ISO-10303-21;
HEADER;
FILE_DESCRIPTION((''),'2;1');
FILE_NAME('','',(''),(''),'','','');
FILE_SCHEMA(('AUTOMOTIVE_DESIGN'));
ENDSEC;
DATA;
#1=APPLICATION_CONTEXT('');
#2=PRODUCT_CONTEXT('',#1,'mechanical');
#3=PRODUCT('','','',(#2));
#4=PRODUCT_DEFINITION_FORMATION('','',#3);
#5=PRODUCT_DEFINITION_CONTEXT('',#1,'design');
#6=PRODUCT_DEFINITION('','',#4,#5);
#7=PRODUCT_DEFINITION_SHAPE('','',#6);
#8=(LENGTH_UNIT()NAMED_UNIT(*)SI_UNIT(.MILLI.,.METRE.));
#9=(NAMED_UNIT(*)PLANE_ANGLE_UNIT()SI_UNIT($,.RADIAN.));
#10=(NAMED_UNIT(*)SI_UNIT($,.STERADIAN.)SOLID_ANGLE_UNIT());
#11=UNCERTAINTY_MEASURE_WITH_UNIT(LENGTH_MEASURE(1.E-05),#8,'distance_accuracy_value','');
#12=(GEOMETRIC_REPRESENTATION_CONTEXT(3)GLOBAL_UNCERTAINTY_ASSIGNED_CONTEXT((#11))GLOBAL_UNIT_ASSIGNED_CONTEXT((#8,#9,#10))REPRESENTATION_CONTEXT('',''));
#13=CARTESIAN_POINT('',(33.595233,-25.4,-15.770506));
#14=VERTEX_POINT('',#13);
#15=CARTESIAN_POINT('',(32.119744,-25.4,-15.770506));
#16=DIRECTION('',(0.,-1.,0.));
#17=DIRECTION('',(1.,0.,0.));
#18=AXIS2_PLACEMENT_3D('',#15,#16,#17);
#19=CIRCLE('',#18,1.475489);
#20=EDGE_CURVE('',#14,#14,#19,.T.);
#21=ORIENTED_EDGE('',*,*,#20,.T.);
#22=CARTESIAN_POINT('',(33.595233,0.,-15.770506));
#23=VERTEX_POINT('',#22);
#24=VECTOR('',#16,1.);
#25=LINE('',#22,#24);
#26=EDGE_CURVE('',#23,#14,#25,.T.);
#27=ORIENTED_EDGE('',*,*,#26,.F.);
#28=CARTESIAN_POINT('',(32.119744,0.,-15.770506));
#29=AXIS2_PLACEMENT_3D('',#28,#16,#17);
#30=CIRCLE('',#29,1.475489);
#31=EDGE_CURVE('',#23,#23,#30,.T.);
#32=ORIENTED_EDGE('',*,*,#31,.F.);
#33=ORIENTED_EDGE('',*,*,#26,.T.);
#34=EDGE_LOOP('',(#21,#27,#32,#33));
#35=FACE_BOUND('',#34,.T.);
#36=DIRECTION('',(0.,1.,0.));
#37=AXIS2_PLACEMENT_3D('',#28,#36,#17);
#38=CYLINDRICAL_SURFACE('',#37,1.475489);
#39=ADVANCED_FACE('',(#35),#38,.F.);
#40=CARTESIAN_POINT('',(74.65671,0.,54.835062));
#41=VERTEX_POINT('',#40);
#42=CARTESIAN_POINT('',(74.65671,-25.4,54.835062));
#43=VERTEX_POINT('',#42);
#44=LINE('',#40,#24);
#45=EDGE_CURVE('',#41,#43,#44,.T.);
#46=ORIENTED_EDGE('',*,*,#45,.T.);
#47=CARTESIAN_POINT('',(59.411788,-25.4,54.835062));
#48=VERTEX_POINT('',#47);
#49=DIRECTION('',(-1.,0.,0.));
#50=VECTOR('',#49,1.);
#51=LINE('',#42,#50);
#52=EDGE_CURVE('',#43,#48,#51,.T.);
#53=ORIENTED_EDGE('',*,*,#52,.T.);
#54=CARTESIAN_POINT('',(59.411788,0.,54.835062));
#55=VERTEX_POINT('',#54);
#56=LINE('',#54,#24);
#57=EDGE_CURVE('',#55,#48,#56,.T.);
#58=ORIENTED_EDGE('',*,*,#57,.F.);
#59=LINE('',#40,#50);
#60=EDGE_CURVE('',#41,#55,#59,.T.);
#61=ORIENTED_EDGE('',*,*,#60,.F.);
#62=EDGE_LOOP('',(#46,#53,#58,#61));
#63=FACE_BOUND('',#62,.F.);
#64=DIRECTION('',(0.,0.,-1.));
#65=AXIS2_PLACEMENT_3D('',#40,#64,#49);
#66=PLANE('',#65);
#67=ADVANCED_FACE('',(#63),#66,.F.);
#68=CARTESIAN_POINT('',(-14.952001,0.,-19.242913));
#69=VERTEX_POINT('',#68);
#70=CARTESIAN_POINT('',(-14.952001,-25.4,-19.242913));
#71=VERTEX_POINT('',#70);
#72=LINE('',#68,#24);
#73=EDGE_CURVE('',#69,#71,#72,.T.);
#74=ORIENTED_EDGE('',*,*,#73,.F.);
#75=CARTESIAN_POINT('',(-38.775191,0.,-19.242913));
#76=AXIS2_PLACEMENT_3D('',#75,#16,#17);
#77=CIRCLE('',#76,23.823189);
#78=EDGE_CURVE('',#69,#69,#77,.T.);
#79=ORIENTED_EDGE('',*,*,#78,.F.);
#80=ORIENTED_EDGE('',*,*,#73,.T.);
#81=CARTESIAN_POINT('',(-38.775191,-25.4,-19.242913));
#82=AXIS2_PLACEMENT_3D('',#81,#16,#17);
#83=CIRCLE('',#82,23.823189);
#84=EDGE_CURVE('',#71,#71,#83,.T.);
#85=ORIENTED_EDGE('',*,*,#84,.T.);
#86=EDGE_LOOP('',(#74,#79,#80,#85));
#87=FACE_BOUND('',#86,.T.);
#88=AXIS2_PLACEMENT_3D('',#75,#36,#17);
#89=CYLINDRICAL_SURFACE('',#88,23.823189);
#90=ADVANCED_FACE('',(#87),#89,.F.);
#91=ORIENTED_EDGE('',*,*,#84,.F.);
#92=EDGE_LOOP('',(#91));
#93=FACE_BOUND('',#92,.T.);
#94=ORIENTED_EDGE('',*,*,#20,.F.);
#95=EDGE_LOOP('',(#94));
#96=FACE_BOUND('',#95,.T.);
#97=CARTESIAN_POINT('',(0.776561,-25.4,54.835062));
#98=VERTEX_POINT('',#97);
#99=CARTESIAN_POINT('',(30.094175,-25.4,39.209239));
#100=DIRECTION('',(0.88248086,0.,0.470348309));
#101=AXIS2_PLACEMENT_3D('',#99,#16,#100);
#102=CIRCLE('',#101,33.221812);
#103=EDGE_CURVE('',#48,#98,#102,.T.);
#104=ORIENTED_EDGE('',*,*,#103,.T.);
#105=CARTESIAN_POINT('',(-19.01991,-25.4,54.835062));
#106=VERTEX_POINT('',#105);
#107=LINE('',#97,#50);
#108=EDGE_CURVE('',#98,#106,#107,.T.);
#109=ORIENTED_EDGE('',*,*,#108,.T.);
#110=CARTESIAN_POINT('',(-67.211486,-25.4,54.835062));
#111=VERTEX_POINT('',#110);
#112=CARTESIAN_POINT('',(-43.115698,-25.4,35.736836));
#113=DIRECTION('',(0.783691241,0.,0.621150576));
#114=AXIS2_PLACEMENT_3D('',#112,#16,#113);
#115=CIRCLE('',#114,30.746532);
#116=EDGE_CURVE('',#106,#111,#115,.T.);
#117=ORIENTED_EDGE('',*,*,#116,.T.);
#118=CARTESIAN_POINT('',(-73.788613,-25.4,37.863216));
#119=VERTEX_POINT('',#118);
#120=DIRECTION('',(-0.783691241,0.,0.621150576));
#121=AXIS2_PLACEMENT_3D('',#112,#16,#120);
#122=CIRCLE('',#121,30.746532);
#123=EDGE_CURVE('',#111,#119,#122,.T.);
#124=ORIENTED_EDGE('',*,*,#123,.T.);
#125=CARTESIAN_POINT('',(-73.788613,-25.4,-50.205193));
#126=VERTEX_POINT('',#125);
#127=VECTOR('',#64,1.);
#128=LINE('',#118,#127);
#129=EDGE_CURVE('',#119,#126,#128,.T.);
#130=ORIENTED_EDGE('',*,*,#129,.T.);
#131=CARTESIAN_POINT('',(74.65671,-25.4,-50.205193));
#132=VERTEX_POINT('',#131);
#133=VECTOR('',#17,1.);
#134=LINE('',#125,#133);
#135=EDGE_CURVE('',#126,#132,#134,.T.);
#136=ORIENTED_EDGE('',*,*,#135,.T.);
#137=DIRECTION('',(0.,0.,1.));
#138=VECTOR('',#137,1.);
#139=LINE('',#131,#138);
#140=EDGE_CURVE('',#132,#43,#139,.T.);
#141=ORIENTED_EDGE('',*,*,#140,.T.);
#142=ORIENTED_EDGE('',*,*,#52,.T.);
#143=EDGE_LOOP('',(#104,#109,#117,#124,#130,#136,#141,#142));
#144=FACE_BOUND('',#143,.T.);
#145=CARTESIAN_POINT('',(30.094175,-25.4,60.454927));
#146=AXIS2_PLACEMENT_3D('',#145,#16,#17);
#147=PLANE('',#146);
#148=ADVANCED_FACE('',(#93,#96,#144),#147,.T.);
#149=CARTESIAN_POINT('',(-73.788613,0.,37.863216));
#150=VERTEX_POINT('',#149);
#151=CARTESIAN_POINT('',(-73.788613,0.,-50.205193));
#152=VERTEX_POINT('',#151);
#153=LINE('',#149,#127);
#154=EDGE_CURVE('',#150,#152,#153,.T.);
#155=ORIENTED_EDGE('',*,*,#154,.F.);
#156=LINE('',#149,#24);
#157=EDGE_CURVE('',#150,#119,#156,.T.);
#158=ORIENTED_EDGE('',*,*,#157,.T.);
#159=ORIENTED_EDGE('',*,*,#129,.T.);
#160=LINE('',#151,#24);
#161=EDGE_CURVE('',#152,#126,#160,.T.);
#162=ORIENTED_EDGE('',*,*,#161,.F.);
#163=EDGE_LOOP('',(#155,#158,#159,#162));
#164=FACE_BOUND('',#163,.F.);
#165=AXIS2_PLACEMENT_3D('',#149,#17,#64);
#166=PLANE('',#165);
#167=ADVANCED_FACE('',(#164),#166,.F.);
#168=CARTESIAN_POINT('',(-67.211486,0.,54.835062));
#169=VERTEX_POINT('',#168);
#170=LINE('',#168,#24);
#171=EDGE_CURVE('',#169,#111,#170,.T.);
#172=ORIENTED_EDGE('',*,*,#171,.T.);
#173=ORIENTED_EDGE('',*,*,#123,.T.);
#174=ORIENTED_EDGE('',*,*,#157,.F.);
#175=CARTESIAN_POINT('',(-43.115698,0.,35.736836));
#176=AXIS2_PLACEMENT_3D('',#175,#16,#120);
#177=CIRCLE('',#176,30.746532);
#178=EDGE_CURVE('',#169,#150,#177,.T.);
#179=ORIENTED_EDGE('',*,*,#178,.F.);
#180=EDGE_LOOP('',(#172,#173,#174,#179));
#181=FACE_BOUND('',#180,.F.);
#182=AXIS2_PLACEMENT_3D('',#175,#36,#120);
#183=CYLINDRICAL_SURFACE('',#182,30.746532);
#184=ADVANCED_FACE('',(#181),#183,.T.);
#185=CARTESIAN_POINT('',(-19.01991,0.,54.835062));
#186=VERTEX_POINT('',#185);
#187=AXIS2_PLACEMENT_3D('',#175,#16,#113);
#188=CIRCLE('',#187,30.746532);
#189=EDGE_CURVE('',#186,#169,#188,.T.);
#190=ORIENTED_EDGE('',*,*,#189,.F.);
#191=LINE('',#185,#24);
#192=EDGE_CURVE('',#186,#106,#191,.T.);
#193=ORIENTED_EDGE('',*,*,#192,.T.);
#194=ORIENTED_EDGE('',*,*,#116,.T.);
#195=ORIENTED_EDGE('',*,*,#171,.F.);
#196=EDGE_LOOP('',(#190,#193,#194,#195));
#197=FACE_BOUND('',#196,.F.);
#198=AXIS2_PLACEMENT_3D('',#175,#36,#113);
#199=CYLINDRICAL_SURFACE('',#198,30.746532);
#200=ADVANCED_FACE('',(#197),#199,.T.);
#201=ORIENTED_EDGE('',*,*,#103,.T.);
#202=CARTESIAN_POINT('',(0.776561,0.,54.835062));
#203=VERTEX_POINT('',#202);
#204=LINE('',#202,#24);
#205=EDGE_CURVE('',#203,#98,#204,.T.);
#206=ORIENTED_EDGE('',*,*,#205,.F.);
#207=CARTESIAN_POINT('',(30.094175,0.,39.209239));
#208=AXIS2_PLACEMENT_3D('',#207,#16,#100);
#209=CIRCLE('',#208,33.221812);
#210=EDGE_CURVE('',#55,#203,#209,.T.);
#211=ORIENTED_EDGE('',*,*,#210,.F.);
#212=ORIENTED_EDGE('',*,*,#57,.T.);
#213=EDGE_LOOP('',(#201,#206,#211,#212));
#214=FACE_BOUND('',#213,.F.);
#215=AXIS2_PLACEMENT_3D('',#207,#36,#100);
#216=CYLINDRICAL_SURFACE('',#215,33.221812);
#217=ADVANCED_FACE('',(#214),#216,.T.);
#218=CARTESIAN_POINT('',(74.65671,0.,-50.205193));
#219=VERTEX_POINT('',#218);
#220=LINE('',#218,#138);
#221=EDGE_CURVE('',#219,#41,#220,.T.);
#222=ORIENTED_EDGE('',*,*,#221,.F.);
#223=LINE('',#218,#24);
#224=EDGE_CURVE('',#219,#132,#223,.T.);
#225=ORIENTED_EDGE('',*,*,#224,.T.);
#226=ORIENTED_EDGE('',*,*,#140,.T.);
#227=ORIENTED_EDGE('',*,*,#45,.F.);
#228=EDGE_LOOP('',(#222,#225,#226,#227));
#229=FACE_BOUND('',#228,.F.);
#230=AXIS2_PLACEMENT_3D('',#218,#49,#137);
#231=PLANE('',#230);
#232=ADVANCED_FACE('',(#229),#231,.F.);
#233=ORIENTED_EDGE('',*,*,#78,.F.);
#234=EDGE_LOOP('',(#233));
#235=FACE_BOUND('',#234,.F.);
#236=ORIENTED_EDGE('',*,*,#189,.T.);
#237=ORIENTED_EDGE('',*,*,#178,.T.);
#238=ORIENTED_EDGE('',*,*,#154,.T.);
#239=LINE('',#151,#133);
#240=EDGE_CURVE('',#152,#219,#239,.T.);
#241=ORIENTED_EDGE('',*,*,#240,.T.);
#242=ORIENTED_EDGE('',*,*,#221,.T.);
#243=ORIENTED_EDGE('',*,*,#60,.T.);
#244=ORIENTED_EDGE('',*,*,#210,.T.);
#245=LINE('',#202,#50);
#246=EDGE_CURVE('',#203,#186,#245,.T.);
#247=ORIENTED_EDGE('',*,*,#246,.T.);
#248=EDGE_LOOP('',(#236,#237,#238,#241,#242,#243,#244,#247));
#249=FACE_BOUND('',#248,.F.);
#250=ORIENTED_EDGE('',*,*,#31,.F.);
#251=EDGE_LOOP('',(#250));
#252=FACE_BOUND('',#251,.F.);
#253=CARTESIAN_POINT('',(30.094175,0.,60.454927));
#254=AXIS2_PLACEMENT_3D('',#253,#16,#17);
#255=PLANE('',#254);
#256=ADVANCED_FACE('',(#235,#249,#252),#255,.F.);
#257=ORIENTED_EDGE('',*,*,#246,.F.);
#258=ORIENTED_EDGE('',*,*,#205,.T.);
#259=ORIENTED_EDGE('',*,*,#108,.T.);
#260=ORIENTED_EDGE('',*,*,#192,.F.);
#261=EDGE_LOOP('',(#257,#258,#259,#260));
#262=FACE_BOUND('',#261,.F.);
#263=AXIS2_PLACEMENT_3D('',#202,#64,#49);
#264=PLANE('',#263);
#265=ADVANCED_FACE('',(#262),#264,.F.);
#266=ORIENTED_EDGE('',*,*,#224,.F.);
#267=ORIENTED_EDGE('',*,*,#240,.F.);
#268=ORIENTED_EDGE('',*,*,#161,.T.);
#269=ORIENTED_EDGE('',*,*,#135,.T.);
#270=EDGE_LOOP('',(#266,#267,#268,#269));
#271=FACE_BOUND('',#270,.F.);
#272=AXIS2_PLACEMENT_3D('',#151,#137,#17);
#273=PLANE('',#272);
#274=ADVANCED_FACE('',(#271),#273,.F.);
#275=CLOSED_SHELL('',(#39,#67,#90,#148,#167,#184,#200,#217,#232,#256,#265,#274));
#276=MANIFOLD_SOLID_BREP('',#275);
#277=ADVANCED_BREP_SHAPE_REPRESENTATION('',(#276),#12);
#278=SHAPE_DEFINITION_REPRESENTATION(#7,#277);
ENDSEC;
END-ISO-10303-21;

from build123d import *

# Parameters (mm, degrees)
F0_R     = 23.8231892188
F0_R_2   = 16.1761148504
F0_R_3   = 1.4754891284
F1_DEPTH = 25.4


with BuildPart() as f1:
    # F0 (on Front) → F1 (new body)
    with BuildSketch(Plane.XZ):
        with BuildLine():
            ThreePointArc((59.4117882899, 54.835062474), (30.0941746682, 72.4310516269), (0.7765610465, 54.835062474))
            Line((0.7765610465, 54.835062474), (59.4117882899, 54.835062474))
        make_face()
        with BuildLine():
            Line((59.4117882899, 54.835062474), (0.7765610465, 54.835062474))
            ThreePointArc((0.7765610465, 54.835062474), (22.0410833069, 6.9782518983), (63.3159871103, 39.2092391849))
            ThreePointArc((63.3159871103, 39.2092391849), (62.3251619547, 47.2623305461), (59.4117882899, 54.835062474))
        make_face()
        with BuildLine():
            Line((-19.0199100919, 54.835062474), (-67.2114855104, 54.835062474))
            ThreePointArc((-67.2114855104, 54.835062474), (-71.7847333832, 46.8469948963), (-73.788613081, 37.8632158535))
            Line((-73.788613081, 37.8632158535), (-73.788613081, 33.6104571325))
            ThreePointArc((-73.788613081, 33.6104571325), (-42.0518711488, 5.0087142952), (-12.3691659487, 35.736836493))
            ThreePointArc((-12.3691659487, 35.736836493), (-14.079417691, 45.8483971203), (-19.0199100919, 54.835062474))
        make_face()
        with BuildLine():
            ThreePointArc((-19.0199100919, 54.835062474), (-43.1156978011, 66.4833683454), (-67.2114855104, 54.835062474))
            Line((-67.2114855104, 54.835062474), (-19.0199100919, 54.835062474))
        make_face()
        with BuildLine():
            Line((0.7765610465, 54.835062474), (-19.0199100919, 54.835062474))
            ThreePointArc((-19.0199100919, 54.835062474), (-14.079417691, 45.8483971203), (-12.3691659487, 35.736836493))
            ThreePointArc((-12.3691659487, 35.736836493), (-42.0518711488, 5.0087142952), (-73.788613081, 33.6104571325))
            Line((-73.788613081, 33.6104571325), (-73.788613081, -50.20519346))
            Line((-73.788613081, -50.20519346), (74.6567100286, -50.20519346))
            Line((74.6567100286, -50.20519346), (74.6567100286, 54.835062474))
            Line((74.6567100286, 54.835062474), (59.4117882899, 54.835062474))
            ThreePointArc((59.4117882899, 54.835062474), (62.3251619547, 47.2623305461), (63.3159871103, 39.2092391849))
            ThreePointArc((63.3159871103, 39.2092391849), (22.0410833069, 6.9782518983), (0.7765610465, 54.835062474))
        make_face()
        with Locations((-38.775190711, -19.2429125309)):
            Circle(F0_R, mode=Mode.SUBTRACT)
        with Locations((32.119743526, -15.7705061138)):
            Circle(F0_R_2, mode=Mode.SUBTRACT)
        with Locations((32.119743526, -15.7705061138)):
            Circle(F0_R_2)
        with Locations((32.119743526, -15.7705061138)):
            Circle(F0_R_3, mode=Mode.SUBTRACT)
    extrude(amount=F1_DEPTH)


solid = f1.part
